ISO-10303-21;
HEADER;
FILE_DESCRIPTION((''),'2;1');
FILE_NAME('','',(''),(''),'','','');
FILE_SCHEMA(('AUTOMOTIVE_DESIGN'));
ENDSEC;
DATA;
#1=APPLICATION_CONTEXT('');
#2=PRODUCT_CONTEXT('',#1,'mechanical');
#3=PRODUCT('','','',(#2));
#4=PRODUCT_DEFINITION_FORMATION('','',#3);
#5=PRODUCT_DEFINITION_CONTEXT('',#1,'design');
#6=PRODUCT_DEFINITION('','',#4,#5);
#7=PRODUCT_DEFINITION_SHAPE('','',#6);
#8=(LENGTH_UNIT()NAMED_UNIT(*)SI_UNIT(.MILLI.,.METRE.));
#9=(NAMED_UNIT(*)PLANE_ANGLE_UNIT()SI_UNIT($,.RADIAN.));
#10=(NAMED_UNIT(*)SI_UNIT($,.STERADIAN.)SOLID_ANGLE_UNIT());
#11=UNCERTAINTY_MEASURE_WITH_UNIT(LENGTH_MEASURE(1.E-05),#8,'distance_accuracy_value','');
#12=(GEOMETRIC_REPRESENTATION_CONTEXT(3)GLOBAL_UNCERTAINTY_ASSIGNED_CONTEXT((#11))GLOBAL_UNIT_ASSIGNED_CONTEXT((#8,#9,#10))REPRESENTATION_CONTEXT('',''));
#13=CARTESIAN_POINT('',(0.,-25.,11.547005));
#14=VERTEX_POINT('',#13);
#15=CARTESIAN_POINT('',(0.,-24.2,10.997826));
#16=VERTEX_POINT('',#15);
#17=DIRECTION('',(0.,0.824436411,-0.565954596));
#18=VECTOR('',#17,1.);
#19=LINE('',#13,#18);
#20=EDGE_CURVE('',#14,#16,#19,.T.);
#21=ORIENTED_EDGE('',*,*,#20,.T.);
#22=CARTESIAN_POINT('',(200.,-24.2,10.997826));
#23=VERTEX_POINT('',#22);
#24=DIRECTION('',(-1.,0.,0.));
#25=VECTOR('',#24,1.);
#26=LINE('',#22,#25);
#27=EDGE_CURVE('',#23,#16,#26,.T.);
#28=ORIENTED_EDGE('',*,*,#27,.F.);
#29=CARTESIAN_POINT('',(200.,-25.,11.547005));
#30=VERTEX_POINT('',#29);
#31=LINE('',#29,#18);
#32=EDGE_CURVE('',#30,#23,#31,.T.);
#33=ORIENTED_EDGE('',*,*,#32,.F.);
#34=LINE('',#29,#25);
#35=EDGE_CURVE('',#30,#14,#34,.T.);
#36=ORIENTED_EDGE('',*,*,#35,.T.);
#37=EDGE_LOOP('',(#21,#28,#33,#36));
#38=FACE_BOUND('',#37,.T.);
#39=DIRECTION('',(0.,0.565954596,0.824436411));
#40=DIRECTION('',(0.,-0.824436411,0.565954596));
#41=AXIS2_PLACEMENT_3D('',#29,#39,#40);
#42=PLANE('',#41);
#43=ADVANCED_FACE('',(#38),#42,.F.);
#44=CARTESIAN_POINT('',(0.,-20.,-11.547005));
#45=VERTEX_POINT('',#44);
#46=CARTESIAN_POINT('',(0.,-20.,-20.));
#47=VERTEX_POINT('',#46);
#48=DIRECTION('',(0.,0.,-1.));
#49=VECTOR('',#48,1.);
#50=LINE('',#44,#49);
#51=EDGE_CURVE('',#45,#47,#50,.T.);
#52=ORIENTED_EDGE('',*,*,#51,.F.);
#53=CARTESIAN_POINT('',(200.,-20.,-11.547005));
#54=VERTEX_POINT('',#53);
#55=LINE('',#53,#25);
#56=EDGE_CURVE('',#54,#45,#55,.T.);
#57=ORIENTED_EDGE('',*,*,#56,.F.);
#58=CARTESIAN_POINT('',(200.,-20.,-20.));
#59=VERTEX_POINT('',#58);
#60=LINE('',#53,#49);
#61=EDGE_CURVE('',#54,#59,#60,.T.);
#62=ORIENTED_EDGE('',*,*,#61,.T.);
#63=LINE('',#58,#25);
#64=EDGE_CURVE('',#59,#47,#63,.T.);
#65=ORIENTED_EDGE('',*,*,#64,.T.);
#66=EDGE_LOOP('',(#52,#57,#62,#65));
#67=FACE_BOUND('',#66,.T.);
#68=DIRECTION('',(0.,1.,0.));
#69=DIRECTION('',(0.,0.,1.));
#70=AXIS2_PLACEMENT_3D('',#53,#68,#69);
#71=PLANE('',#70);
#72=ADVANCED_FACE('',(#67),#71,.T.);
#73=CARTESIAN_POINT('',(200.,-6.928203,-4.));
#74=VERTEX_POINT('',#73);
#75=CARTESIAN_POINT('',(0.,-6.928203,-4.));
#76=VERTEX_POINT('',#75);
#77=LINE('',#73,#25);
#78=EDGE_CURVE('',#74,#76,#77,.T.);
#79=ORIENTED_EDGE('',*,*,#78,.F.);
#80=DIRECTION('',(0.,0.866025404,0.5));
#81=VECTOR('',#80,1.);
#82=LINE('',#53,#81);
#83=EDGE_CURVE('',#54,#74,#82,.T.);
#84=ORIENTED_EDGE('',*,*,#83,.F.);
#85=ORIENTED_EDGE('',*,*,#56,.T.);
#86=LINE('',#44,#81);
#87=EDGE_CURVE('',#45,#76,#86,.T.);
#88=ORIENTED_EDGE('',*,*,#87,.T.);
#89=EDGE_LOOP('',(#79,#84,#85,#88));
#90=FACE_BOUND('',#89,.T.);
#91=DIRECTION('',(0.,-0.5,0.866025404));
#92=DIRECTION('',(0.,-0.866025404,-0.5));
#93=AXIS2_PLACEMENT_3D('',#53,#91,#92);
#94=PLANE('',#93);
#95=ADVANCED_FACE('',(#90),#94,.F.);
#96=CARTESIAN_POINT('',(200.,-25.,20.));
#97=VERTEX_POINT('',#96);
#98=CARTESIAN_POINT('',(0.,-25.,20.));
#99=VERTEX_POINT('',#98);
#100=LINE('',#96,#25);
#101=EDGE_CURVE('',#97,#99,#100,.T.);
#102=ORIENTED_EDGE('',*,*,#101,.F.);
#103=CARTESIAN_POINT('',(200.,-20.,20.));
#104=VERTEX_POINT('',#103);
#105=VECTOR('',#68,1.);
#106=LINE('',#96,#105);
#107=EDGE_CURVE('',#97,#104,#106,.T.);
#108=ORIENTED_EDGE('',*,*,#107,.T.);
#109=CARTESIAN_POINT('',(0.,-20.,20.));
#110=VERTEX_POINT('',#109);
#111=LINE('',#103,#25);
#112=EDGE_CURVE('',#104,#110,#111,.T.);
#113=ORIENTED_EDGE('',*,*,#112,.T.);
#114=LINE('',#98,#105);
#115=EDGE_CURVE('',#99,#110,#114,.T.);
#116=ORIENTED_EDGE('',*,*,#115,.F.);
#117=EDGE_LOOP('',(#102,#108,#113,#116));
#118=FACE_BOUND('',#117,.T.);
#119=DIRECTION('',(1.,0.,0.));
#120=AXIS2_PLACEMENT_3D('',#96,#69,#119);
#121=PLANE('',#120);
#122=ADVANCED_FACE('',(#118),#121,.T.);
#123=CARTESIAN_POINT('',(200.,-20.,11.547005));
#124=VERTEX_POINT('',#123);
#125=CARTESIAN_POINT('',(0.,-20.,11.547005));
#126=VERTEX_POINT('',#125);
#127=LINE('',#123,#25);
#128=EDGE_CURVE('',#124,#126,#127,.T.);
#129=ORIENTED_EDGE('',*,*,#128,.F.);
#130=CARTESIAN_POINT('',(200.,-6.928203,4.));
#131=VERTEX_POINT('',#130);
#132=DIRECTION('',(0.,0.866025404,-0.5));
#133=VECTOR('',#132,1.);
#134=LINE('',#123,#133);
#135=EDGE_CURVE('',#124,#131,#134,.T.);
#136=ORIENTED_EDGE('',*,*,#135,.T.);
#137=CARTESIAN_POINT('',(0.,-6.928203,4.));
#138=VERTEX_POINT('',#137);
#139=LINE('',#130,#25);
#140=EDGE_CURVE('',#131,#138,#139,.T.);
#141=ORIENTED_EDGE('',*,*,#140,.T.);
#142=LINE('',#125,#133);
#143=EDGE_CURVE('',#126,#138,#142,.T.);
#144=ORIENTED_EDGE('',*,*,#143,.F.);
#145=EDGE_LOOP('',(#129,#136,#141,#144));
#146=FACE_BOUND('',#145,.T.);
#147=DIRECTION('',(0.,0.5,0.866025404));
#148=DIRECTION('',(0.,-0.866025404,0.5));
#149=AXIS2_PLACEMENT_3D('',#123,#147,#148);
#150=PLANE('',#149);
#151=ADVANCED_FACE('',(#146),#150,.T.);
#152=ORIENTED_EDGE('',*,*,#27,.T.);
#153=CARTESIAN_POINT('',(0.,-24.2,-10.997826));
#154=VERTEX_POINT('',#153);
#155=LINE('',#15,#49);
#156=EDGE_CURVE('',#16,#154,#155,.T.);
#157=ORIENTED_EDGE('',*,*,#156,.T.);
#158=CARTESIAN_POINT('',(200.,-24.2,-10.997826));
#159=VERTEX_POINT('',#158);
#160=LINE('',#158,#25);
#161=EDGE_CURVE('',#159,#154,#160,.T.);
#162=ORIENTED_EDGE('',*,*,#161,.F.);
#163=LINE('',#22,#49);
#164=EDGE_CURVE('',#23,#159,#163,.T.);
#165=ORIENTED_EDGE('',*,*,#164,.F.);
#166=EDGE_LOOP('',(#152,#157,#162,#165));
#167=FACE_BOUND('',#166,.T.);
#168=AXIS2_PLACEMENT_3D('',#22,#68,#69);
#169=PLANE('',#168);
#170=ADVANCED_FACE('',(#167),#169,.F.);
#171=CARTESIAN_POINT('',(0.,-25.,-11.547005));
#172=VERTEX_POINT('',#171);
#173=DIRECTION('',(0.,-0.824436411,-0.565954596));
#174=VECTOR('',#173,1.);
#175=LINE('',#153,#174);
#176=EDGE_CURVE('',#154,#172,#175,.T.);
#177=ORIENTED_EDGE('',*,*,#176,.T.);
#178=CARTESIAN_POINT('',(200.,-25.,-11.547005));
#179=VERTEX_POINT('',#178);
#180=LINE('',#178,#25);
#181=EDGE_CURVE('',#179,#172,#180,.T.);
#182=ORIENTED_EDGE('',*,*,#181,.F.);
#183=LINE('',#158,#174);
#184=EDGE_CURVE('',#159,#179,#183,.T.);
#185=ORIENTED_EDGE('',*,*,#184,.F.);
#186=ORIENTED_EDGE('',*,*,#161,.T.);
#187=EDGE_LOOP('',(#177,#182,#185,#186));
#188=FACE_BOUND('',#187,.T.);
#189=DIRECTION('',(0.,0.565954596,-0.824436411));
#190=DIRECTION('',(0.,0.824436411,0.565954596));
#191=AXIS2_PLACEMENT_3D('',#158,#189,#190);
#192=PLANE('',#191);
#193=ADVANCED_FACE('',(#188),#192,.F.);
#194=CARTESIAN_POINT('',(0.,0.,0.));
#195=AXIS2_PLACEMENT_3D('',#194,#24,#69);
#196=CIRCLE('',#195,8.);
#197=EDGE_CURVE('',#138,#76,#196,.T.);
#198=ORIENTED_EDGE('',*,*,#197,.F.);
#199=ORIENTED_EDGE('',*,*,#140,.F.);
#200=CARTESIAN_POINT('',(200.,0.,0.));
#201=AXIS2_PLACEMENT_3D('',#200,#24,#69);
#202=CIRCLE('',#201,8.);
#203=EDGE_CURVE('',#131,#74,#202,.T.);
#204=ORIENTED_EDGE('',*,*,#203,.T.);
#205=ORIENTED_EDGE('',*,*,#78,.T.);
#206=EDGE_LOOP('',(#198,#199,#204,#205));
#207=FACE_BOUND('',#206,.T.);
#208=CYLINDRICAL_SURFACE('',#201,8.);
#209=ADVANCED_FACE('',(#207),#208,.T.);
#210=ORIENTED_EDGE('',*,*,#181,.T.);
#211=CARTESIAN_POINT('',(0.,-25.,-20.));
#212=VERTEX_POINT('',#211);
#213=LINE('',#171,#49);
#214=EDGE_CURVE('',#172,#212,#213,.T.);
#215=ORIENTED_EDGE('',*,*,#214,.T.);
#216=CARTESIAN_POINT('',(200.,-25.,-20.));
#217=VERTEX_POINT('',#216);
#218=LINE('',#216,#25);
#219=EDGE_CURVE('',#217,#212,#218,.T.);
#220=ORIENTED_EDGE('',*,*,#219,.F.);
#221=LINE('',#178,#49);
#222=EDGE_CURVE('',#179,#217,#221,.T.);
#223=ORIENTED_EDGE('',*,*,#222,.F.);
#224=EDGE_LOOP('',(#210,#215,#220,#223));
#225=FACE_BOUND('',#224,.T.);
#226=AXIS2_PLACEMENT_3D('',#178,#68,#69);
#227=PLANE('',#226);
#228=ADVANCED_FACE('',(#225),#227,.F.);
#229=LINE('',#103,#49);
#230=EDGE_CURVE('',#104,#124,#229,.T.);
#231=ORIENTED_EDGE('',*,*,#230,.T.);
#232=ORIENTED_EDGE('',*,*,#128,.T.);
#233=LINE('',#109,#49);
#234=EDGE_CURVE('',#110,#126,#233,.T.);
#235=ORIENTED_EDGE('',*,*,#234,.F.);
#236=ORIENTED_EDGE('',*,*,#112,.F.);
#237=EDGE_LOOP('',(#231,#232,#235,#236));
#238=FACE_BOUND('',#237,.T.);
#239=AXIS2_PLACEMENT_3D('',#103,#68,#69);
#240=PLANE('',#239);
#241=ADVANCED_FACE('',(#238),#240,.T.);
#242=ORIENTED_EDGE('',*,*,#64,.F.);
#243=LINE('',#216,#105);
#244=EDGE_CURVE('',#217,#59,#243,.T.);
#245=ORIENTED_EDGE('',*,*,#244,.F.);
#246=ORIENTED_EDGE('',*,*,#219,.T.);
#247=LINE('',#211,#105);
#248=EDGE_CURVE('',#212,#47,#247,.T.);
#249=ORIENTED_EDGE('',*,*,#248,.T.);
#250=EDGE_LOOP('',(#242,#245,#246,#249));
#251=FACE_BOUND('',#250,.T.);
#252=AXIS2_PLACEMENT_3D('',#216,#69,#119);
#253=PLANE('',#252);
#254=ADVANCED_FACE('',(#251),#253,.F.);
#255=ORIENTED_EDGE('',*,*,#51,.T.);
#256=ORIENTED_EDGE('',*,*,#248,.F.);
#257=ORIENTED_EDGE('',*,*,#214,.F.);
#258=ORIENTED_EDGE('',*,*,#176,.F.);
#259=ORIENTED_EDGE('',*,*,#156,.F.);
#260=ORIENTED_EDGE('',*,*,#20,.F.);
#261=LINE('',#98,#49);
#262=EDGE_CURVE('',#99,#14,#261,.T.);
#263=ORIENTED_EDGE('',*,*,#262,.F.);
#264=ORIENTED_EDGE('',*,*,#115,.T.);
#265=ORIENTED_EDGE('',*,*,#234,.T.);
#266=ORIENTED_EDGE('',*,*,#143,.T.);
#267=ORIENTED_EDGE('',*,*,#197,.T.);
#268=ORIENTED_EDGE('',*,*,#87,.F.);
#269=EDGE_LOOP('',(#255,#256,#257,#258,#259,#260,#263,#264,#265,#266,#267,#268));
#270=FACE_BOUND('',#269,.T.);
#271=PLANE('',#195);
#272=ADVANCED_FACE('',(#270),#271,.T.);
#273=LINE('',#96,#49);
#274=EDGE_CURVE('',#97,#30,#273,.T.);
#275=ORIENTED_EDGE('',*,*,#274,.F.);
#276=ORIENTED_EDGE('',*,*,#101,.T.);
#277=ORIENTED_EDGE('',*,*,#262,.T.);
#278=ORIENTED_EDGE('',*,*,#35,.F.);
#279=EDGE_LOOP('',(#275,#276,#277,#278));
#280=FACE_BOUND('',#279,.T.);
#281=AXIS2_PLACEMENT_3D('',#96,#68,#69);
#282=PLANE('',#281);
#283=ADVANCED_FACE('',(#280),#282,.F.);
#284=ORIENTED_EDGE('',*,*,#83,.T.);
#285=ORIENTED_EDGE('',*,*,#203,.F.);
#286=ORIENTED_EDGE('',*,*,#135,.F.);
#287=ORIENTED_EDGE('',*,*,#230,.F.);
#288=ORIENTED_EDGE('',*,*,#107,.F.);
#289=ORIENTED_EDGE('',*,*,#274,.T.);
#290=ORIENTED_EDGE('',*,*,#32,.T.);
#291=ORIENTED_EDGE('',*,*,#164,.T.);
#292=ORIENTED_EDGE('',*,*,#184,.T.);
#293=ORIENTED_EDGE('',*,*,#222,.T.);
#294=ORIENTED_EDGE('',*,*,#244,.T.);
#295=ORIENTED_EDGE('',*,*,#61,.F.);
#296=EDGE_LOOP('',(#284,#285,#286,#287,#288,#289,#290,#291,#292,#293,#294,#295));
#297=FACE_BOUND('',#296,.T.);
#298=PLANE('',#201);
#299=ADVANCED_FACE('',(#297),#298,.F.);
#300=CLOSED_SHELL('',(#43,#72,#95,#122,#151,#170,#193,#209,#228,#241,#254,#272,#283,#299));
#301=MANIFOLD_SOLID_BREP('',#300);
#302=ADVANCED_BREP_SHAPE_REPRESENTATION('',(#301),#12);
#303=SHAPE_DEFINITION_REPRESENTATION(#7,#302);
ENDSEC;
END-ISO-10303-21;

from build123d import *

# Parameters (mm, degrees)
BOSS_EXTRUDE1_DEPTH = 200


with BuildPart() as part:
    # Sketch1 → Boss-Extrude1 (new body)
    with BuildSketch(Plane(origin=(0, 0, 0), x_dir=(0, 0, -1), z_dir=(1, 0, 0))):
        with BuildLine():
            Line((-20, -25), (-20, -20))
            Line((-20, -20), (-11.547005384, -20))
            Line((-11.547005384, -20), (-4, -6.92820323))
            ThreePointArc((-4, -6.92820323), (0, 8), (4, -6.92820323))
            Line((4, -6.92820323), (11.547005384, -20))
            Line((11.547005384, -20), (20, -20))
            Line((20, -20), (20, -25))
            Line((20, -25), (11.547005384, -25))
            Line((11.547005384, -25), (10.997825762, -24.2))
            Line((10.997825762, -24.2), (-10.997825762, -24.2))
            Line((-10.997825762, -24.2), (-11.547005384, -25))
            Line((-11.547005384, -25), (-20, -25))
        make_face()
    extrude(amount=BOSS_EXTRUDE1_DEPTH)


solid = part.part
